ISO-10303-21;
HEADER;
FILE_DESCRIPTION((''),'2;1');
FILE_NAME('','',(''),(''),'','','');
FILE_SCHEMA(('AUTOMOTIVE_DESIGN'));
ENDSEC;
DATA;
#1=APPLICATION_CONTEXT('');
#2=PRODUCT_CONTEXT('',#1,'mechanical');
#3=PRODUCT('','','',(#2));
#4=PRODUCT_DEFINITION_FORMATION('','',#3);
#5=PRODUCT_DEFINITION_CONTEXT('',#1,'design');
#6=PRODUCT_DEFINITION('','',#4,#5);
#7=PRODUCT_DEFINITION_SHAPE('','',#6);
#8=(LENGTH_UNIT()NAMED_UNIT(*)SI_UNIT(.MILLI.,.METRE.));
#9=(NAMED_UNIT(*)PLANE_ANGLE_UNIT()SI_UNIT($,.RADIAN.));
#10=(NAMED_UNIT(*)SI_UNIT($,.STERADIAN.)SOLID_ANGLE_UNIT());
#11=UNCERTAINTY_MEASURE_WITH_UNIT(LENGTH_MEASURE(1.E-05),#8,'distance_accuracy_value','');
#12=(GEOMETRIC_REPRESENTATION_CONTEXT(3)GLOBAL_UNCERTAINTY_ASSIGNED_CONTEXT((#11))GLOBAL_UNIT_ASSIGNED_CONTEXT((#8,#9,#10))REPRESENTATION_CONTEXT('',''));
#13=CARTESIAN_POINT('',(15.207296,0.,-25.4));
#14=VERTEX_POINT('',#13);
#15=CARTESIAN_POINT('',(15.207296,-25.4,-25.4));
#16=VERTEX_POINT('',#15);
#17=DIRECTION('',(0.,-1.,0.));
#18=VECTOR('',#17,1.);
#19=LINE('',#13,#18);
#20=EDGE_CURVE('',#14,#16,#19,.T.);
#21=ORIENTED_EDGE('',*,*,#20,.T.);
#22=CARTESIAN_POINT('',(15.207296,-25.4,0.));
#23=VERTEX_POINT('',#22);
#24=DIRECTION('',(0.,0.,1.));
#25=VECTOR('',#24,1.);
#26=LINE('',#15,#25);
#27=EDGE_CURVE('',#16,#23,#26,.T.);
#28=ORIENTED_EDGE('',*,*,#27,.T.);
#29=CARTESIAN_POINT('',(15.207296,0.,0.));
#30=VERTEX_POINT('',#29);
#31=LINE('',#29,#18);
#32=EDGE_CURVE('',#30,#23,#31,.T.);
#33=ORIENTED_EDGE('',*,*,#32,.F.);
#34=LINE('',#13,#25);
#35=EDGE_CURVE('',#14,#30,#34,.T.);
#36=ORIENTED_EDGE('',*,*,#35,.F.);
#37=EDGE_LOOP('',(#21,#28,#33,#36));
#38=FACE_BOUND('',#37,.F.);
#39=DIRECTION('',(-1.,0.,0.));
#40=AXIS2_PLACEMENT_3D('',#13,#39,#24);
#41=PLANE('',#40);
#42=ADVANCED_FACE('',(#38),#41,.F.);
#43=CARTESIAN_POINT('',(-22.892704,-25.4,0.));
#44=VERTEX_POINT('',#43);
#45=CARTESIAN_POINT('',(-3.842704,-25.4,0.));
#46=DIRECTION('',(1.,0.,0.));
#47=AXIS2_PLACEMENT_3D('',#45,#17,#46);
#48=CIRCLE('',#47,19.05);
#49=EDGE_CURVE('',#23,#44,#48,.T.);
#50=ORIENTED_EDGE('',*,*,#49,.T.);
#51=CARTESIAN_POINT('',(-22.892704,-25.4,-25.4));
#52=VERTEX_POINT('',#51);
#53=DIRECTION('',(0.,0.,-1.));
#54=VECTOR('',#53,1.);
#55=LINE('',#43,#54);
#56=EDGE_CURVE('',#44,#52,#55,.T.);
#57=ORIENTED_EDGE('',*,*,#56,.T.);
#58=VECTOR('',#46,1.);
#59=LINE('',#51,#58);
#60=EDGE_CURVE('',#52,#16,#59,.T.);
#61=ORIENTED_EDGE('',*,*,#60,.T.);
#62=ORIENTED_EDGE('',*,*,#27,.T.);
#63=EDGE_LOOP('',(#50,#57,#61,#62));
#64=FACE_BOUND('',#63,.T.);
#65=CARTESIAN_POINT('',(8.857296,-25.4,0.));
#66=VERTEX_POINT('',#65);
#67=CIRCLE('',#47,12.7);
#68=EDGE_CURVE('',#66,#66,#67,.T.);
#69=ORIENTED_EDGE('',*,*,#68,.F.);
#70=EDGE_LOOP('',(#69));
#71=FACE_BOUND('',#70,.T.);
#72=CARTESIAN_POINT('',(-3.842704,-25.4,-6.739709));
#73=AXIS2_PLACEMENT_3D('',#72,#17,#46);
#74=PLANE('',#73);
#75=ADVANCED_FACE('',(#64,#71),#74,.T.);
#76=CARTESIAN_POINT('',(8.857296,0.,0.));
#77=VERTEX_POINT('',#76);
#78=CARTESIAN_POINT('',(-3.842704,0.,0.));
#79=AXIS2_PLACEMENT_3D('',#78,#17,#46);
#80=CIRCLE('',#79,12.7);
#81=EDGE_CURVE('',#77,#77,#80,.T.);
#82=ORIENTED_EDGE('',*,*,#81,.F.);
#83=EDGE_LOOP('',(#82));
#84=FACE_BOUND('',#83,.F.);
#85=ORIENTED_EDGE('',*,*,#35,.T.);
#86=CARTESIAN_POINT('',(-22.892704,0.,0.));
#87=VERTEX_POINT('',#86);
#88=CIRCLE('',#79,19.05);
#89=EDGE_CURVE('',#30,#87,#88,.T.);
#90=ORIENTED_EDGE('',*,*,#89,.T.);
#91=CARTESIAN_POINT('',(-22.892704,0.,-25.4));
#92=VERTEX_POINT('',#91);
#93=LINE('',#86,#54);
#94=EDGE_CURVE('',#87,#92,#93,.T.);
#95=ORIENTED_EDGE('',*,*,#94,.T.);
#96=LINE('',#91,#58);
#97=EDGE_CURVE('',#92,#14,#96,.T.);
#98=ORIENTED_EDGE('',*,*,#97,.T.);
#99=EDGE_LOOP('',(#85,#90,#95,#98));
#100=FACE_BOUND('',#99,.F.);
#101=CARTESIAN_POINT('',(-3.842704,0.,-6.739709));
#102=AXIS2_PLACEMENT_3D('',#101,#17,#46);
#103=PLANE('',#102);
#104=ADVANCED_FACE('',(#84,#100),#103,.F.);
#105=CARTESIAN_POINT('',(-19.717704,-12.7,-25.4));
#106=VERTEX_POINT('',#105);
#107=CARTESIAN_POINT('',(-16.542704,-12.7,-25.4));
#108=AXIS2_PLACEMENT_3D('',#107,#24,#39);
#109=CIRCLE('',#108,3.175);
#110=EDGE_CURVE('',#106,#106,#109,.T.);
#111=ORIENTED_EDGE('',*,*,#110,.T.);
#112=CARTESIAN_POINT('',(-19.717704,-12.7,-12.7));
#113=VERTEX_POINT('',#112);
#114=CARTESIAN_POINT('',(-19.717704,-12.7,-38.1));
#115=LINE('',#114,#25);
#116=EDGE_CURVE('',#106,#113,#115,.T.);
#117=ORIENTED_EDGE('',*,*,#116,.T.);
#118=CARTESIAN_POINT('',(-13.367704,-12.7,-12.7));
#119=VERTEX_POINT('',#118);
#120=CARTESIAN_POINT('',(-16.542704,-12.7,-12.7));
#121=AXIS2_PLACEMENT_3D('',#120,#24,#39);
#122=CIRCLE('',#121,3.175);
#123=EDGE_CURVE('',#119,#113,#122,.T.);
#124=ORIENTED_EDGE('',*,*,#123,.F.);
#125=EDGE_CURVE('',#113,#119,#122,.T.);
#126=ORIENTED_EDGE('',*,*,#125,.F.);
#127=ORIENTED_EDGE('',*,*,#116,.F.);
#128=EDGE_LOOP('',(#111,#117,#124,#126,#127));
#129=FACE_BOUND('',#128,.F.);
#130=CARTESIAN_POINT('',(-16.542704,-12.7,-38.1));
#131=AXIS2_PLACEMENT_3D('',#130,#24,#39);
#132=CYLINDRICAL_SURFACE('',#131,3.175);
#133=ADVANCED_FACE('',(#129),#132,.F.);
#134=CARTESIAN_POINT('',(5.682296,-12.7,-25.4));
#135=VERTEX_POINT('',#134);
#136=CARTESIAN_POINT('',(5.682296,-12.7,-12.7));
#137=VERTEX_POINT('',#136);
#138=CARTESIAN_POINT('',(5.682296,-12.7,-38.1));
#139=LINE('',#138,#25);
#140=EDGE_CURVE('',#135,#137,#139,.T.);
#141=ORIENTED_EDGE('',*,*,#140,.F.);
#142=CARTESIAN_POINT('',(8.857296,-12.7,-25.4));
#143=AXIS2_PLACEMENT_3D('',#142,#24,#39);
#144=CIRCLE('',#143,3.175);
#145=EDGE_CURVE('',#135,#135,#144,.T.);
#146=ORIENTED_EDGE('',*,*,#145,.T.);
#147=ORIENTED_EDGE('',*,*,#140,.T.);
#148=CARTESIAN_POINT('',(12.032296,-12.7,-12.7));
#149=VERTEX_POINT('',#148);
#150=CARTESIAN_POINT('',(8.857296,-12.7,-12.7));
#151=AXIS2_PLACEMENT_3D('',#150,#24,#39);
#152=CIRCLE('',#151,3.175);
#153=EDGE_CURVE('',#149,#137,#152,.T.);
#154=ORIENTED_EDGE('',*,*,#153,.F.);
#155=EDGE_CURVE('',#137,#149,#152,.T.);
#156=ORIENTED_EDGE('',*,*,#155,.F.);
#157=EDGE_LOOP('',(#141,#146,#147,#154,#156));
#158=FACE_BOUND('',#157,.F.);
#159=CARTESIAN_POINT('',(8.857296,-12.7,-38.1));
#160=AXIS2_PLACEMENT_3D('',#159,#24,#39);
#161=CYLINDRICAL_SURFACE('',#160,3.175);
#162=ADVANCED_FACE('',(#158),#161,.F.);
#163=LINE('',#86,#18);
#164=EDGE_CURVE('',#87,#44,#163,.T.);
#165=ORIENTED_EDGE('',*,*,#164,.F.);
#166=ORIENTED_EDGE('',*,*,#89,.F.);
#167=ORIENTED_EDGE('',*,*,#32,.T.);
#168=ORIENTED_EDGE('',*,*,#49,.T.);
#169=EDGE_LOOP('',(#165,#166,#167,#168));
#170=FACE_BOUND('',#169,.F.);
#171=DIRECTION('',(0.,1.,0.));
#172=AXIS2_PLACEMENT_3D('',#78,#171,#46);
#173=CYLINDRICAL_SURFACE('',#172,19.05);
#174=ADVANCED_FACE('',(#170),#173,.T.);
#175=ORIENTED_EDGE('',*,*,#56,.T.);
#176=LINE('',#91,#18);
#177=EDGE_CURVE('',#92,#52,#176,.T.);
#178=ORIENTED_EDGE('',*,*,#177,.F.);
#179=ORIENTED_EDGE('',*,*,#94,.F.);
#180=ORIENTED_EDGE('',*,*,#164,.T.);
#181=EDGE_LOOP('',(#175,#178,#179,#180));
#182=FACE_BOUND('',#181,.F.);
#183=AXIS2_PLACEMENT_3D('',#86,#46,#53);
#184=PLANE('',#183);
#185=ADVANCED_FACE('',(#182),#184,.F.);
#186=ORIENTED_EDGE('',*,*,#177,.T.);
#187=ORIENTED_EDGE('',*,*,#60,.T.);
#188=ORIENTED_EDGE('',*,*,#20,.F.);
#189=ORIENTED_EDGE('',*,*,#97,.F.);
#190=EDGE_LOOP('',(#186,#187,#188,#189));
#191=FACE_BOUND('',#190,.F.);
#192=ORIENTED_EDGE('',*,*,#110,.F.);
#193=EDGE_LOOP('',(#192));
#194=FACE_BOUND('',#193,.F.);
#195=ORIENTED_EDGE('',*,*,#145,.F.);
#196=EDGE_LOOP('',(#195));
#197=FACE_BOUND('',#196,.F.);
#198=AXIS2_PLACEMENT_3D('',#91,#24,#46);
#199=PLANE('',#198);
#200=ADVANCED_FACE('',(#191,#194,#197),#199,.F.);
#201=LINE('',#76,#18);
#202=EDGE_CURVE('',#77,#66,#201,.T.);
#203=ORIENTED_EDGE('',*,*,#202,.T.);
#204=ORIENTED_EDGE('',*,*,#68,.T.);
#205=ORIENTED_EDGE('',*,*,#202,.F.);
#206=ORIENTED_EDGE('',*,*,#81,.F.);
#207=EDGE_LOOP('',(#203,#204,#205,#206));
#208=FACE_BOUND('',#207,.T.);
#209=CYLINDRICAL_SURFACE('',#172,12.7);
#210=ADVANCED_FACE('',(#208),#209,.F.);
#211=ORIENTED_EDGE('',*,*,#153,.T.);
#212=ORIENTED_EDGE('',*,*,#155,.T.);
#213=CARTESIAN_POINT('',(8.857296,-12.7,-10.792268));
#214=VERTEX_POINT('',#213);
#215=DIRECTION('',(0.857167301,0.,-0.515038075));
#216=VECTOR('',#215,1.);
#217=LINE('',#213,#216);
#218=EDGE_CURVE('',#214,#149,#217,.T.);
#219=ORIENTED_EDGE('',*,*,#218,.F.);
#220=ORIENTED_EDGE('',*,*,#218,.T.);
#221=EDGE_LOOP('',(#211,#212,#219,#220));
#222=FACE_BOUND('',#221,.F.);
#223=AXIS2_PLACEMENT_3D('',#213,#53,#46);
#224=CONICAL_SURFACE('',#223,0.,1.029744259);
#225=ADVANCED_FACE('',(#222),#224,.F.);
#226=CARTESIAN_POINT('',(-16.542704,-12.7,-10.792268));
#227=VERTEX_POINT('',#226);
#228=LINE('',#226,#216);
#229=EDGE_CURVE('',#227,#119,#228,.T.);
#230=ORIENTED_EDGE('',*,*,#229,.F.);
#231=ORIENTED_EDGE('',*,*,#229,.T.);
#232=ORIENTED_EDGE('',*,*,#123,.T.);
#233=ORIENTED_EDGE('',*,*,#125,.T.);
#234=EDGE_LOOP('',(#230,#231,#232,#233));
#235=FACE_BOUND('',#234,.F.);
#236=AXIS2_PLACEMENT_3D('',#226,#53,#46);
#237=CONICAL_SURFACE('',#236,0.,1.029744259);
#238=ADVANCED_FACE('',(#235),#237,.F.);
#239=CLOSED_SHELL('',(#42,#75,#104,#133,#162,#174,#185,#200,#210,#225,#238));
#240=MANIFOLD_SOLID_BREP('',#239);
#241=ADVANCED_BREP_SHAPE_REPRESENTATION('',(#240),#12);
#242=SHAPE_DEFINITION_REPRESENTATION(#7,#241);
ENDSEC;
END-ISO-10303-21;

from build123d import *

# Parameters (mm, degrees)
F0_R     = 12.7
F1_DEPTH = 25.4
F3_D     = 6.35
F3_DEPTH = 12.7
F3_TIP   = 1.9077324654


with BuildPart() as f1:
    # F0 (on Front) → F1 (new body)
    with BuildSketch(Plane.XZ):
        with BuildLine():
            ThreePointArc((15.2072963325, 0), (-3.8427036675, 19.05), (-22.8927036675, 0))
            Line((-22.8927036675, 0), (-22.8927036675, -25.4))
            Line((-22.8927036675, -25.4), (15.2072963325, -25.4))
            Line((15.2072963325, -25.4), (15.2072963325, 0))
        make_face()
        with Locations((-3.8427036675, 0)):
            Circle(F0_R, mode=Mode.SUBTRACT)
    extrude(amount=F1_DEPTH)

    # F3
    with Locations(Plane(origin=(0, 0, -25.4), x_dir=(1, 0, 0), z_dir=(0, 0, -1))):
        with Locations((-16.5427036675, 12.7), (8.8572963325, 12.7)):
            Hole(F3_D / 2, depth=F3_DEPTH)
            with Locations((0, 0, -(F3_DEPTH + F3_TIP / 2))):  # 118° drill point
                Cone(0, F3_D / 2, F3_TIP, mode=Mode.SUBTRACT)


solid = f1.part
